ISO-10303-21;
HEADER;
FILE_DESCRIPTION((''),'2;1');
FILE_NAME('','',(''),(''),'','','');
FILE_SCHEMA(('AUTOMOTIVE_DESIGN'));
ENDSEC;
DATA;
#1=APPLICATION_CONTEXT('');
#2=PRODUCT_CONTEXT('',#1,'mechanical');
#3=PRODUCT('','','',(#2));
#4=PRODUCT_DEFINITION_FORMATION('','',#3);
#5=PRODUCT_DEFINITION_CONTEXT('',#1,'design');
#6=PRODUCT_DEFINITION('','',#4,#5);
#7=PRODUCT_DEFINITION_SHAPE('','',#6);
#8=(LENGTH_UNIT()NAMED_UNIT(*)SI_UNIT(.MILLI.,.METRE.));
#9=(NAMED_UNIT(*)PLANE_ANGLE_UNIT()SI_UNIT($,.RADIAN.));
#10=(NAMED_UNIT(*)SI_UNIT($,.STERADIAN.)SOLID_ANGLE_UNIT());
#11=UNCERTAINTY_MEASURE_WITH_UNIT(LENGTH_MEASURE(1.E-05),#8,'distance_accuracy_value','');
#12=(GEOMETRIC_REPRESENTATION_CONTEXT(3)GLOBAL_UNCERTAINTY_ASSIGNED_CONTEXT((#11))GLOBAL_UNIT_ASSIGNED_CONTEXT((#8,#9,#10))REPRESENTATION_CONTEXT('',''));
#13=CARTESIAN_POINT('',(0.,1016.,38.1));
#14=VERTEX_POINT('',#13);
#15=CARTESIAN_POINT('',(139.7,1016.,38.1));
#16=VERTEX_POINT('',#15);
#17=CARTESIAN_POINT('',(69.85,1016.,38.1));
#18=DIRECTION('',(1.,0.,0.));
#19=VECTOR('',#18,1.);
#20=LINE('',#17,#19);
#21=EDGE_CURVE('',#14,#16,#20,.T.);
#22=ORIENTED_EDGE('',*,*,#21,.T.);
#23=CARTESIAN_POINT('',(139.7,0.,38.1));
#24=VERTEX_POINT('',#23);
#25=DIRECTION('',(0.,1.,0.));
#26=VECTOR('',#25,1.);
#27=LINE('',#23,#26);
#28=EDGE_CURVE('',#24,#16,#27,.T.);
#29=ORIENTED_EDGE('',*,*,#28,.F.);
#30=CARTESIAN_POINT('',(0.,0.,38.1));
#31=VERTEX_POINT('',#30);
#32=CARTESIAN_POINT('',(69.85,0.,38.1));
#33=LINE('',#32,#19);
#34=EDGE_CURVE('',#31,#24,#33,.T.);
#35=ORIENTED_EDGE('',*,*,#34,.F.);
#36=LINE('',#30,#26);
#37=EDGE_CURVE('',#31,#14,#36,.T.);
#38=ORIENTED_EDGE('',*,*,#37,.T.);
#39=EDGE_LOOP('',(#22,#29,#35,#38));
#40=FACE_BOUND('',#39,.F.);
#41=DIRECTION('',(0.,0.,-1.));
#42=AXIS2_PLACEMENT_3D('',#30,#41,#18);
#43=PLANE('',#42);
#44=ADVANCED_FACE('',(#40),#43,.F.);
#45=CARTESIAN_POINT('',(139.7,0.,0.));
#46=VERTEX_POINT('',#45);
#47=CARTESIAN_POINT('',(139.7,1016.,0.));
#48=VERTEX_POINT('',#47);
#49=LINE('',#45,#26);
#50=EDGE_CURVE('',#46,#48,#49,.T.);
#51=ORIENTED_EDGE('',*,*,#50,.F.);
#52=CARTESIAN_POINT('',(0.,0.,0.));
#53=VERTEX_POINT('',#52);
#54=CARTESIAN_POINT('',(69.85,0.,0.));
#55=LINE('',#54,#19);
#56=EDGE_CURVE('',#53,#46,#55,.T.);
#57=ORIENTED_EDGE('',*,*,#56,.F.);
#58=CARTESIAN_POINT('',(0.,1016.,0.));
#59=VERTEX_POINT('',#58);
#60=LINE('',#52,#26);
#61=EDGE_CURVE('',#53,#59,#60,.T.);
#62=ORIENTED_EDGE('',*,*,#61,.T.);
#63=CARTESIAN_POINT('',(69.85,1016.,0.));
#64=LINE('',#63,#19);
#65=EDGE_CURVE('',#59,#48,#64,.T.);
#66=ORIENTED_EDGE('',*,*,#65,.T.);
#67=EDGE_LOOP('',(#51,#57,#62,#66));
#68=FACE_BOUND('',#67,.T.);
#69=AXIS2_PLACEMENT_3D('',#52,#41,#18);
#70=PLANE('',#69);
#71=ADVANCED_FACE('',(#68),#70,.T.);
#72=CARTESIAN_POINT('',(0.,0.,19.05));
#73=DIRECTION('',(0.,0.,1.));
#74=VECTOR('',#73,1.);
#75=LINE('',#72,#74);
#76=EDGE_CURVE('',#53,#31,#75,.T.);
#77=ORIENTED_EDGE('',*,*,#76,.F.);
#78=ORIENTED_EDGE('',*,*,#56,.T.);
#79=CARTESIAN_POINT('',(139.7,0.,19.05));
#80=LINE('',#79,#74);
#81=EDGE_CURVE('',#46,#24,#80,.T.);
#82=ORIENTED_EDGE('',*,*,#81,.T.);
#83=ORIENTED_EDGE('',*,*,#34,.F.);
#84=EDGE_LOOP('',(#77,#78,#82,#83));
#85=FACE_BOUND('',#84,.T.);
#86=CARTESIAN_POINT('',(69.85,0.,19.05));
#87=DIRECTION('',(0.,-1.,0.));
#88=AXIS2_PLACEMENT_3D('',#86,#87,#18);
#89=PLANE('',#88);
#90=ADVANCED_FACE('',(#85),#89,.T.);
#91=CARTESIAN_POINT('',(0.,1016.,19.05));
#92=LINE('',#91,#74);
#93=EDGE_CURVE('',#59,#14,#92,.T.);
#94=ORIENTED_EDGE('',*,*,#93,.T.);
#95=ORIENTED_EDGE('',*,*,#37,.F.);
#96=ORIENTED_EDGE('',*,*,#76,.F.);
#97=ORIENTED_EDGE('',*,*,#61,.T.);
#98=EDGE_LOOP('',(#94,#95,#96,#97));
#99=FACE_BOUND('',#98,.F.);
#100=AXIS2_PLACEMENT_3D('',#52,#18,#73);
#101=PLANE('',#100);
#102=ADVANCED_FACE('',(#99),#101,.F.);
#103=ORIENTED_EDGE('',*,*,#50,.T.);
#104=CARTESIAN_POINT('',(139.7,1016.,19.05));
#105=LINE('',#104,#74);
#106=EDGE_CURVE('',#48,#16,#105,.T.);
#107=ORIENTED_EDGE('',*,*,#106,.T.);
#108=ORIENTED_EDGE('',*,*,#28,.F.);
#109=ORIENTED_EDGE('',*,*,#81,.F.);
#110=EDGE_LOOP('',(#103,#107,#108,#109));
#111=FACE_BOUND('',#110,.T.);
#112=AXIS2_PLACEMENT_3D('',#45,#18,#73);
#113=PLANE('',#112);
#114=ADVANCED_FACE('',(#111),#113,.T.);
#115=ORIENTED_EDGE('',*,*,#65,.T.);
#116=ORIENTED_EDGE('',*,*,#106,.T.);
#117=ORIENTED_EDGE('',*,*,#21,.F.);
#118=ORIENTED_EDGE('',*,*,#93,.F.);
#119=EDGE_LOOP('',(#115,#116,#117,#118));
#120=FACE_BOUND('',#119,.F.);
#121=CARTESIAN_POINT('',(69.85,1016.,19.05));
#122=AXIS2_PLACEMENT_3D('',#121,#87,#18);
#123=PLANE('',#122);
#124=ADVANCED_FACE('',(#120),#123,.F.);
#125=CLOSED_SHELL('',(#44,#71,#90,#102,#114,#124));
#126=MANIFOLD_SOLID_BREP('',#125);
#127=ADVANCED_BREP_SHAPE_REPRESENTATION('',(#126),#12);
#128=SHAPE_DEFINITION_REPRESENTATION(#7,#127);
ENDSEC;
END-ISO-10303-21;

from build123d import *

# Parameters (mm, degrees)
F0_W     = 139.7
F0_H     = 38.1
F1_DEPTH = 1016


with BuildPart() as f1:
    # F0 (on Front) → F1 (new body)
    with BuildSketch(Plane.XZ):
        with Locations((69.85, 19.05)):
            Rectangle(F0_W, F0_H)
    extrude(amount=-F1_DEPTH)


solid = f1.part
